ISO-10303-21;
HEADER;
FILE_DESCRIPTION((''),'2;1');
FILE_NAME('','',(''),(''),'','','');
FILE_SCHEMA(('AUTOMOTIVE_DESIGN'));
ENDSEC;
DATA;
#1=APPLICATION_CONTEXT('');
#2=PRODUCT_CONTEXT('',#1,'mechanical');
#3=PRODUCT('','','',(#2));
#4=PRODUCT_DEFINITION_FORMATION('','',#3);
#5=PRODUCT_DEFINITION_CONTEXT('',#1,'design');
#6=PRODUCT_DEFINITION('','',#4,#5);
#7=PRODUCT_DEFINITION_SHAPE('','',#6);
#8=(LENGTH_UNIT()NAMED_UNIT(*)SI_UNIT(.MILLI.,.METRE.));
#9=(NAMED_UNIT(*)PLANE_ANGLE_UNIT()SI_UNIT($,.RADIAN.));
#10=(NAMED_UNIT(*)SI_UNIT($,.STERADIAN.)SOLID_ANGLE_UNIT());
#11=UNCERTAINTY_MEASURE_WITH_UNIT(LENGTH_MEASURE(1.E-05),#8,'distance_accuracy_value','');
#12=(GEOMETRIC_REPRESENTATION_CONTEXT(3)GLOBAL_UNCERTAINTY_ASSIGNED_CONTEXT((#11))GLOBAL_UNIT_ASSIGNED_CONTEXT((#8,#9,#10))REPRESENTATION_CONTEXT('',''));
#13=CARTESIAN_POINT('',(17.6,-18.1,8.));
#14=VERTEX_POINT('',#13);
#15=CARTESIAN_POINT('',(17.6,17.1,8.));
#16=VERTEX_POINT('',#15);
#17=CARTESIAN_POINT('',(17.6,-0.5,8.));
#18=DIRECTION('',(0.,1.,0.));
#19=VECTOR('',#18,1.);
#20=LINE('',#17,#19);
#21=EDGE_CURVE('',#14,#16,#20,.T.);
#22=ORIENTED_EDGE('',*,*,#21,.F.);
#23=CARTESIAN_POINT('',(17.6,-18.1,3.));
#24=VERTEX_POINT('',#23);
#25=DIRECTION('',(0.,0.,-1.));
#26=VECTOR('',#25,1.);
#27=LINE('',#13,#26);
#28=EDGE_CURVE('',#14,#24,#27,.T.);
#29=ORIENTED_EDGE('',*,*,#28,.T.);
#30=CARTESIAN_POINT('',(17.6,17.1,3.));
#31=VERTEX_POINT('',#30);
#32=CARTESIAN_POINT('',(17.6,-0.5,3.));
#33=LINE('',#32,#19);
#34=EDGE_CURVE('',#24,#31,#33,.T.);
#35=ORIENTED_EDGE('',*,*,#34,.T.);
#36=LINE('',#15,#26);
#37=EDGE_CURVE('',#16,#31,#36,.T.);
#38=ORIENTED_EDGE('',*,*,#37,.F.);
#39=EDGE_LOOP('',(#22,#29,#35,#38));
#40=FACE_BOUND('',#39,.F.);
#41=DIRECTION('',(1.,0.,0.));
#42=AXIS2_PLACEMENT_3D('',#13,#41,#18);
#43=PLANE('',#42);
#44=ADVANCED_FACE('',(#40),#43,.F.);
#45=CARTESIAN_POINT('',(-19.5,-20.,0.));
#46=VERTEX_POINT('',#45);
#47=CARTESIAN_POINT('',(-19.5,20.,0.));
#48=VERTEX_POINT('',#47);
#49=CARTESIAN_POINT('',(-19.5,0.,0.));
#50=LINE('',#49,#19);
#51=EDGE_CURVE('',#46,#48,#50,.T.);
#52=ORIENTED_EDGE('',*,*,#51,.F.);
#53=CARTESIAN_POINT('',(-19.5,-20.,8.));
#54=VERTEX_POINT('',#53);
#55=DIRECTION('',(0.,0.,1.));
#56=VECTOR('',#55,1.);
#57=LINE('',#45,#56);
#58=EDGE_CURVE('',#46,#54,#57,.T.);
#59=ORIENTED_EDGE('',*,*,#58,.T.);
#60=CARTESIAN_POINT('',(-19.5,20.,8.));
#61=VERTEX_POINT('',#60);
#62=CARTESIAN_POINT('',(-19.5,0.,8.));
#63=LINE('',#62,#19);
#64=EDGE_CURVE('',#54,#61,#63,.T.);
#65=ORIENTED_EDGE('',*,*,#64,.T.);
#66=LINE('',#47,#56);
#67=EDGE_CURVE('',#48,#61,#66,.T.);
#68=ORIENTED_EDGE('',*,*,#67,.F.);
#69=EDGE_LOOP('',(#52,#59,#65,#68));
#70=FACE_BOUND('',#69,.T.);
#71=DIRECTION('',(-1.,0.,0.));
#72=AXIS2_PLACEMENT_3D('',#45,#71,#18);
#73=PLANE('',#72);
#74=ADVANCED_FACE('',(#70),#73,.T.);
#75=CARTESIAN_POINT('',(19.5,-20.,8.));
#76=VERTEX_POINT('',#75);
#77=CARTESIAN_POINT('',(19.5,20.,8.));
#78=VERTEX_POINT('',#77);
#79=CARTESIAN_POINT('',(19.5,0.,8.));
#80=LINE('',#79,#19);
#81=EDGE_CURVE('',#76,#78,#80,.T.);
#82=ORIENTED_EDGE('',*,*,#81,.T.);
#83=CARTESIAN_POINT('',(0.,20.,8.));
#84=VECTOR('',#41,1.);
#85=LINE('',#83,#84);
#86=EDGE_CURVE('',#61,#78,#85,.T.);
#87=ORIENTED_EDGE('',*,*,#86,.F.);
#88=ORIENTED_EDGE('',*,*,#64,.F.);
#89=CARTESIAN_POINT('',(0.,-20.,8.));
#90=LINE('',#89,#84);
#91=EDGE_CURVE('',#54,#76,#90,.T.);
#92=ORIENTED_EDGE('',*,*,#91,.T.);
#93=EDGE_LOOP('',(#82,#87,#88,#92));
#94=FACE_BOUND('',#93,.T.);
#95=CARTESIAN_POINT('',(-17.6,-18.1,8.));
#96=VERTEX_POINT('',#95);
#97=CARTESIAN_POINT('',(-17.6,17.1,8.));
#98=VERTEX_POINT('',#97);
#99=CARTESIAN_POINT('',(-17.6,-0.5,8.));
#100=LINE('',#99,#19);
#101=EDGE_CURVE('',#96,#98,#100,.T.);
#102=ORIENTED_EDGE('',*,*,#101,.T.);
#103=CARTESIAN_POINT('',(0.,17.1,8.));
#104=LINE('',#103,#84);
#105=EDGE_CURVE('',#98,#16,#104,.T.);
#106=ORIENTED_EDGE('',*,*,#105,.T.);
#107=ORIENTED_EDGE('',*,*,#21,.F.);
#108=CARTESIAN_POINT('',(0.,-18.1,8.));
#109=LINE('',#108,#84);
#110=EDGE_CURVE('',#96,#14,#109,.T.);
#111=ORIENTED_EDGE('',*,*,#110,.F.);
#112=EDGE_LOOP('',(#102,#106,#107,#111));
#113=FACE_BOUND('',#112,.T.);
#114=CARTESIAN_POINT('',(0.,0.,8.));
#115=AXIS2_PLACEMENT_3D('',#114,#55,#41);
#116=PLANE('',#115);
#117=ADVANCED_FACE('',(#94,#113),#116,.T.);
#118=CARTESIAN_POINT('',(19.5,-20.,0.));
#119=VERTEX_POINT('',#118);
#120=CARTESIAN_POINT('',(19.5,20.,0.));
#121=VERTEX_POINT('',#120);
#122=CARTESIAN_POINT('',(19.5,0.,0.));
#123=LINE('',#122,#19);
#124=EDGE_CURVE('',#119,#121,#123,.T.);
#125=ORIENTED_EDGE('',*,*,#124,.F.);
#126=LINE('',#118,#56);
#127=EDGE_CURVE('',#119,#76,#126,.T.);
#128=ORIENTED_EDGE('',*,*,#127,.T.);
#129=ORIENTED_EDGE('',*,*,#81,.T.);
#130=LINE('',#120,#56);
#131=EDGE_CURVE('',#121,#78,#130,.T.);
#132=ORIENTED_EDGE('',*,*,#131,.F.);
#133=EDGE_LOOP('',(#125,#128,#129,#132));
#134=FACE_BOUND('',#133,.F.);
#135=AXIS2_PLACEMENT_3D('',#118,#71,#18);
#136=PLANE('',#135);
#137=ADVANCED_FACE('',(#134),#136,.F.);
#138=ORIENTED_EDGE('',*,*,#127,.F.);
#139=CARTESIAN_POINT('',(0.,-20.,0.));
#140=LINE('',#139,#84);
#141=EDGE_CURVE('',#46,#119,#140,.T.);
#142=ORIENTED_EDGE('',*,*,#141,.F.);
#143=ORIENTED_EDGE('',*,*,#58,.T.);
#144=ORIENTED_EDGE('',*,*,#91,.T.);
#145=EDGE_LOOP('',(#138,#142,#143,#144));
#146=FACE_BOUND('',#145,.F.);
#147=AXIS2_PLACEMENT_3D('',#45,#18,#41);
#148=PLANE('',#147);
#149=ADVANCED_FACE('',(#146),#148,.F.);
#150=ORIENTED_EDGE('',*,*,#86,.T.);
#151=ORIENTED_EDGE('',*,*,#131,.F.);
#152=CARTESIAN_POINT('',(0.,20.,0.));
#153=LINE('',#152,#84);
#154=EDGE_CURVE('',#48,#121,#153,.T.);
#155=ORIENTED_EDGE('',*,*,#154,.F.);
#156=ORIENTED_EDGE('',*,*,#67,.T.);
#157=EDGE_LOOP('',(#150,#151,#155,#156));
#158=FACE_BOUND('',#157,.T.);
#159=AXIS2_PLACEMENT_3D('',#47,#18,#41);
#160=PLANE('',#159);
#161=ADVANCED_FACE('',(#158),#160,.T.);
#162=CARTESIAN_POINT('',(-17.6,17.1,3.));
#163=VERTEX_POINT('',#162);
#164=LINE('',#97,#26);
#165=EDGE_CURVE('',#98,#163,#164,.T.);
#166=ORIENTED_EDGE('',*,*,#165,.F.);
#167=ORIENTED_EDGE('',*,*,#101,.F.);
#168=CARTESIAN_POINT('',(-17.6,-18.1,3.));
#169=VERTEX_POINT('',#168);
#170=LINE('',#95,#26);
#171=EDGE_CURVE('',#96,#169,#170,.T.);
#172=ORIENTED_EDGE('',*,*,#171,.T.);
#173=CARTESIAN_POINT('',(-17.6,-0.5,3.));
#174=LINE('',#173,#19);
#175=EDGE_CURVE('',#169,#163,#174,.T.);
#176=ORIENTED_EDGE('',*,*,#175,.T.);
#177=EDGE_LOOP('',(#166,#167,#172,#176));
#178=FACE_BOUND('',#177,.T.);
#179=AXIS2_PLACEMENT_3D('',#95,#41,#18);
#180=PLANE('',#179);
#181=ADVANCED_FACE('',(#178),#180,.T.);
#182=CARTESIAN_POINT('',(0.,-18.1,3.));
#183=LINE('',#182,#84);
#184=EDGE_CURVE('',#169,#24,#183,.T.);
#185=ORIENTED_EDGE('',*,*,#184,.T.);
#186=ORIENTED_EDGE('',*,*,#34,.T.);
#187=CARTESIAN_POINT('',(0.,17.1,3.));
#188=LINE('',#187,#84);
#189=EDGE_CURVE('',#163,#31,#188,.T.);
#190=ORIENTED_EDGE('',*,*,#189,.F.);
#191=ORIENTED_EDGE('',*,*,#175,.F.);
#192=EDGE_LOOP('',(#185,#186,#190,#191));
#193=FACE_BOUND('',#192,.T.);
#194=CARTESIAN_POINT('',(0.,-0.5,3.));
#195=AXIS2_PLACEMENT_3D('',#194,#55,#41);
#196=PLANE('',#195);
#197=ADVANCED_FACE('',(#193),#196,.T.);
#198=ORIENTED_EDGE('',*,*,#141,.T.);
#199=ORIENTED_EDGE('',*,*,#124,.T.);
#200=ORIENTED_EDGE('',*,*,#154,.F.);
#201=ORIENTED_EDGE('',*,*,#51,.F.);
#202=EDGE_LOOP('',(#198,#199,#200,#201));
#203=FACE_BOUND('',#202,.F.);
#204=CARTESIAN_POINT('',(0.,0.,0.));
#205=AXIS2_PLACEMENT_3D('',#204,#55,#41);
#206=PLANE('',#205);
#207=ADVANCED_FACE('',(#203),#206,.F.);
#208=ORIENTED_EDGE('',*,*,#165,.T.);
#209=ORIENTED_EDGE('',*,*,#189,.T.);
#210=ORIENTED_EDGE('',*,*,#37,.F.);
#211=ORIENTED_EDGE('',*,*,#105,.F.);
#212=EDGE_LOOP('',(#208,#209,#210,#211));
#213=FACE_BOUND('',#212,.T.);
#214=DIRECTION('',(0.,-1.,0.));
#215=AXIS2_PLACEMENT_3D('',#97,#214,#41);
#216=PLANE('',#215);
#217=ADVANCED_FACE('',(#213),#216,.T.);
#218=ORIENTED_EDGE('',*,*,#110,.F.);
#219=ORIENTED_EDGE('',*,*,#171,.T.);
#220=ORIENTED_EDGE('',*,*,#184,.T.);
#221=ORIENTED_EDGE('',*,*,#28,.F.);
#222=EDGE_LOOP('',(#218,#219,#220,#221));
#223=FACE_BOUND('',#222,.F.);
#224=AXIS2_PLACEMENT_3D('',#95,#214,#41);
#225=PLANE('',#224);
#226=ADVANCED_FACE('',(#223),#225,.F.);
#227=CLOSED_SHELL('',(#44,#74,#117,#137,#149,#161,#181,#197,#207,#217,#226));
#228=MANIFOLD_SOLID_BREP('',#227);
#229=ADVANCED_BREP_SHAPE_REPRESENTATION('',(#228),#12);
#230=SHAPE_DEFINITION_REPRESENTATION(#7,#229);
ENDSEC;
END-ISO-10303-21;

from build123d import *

# Parameters (mm, degrees)
SKETCH_W     = 39
SKETCH_H     = 40
PAD_DEPTH    = 8
SKETCH001_W  = 35.2
SKETCH001_H  = 35.2
POCKET_DEPTH = 5


with BuildPart() as part:
    # Sketch → Pad (new body)
    with BuildSketch(Plane.XY):
        Rectangle(SKETCH_W, SKETCH_H)
    extrude(amount=PAD_DEPTH)

    # Sketch001 (on Face6 of Pad) → Pocket (cut)
    with BuildSketch(Plane.XY.offset(8)):
        with Locations((0, -0.5)):
            Rectangle(SKETCH001_W, SKETCH001_H)
    extrude(amount=-POCKET_DEPTH, mode=Mode.SUBTRACT)


solid = part.part
